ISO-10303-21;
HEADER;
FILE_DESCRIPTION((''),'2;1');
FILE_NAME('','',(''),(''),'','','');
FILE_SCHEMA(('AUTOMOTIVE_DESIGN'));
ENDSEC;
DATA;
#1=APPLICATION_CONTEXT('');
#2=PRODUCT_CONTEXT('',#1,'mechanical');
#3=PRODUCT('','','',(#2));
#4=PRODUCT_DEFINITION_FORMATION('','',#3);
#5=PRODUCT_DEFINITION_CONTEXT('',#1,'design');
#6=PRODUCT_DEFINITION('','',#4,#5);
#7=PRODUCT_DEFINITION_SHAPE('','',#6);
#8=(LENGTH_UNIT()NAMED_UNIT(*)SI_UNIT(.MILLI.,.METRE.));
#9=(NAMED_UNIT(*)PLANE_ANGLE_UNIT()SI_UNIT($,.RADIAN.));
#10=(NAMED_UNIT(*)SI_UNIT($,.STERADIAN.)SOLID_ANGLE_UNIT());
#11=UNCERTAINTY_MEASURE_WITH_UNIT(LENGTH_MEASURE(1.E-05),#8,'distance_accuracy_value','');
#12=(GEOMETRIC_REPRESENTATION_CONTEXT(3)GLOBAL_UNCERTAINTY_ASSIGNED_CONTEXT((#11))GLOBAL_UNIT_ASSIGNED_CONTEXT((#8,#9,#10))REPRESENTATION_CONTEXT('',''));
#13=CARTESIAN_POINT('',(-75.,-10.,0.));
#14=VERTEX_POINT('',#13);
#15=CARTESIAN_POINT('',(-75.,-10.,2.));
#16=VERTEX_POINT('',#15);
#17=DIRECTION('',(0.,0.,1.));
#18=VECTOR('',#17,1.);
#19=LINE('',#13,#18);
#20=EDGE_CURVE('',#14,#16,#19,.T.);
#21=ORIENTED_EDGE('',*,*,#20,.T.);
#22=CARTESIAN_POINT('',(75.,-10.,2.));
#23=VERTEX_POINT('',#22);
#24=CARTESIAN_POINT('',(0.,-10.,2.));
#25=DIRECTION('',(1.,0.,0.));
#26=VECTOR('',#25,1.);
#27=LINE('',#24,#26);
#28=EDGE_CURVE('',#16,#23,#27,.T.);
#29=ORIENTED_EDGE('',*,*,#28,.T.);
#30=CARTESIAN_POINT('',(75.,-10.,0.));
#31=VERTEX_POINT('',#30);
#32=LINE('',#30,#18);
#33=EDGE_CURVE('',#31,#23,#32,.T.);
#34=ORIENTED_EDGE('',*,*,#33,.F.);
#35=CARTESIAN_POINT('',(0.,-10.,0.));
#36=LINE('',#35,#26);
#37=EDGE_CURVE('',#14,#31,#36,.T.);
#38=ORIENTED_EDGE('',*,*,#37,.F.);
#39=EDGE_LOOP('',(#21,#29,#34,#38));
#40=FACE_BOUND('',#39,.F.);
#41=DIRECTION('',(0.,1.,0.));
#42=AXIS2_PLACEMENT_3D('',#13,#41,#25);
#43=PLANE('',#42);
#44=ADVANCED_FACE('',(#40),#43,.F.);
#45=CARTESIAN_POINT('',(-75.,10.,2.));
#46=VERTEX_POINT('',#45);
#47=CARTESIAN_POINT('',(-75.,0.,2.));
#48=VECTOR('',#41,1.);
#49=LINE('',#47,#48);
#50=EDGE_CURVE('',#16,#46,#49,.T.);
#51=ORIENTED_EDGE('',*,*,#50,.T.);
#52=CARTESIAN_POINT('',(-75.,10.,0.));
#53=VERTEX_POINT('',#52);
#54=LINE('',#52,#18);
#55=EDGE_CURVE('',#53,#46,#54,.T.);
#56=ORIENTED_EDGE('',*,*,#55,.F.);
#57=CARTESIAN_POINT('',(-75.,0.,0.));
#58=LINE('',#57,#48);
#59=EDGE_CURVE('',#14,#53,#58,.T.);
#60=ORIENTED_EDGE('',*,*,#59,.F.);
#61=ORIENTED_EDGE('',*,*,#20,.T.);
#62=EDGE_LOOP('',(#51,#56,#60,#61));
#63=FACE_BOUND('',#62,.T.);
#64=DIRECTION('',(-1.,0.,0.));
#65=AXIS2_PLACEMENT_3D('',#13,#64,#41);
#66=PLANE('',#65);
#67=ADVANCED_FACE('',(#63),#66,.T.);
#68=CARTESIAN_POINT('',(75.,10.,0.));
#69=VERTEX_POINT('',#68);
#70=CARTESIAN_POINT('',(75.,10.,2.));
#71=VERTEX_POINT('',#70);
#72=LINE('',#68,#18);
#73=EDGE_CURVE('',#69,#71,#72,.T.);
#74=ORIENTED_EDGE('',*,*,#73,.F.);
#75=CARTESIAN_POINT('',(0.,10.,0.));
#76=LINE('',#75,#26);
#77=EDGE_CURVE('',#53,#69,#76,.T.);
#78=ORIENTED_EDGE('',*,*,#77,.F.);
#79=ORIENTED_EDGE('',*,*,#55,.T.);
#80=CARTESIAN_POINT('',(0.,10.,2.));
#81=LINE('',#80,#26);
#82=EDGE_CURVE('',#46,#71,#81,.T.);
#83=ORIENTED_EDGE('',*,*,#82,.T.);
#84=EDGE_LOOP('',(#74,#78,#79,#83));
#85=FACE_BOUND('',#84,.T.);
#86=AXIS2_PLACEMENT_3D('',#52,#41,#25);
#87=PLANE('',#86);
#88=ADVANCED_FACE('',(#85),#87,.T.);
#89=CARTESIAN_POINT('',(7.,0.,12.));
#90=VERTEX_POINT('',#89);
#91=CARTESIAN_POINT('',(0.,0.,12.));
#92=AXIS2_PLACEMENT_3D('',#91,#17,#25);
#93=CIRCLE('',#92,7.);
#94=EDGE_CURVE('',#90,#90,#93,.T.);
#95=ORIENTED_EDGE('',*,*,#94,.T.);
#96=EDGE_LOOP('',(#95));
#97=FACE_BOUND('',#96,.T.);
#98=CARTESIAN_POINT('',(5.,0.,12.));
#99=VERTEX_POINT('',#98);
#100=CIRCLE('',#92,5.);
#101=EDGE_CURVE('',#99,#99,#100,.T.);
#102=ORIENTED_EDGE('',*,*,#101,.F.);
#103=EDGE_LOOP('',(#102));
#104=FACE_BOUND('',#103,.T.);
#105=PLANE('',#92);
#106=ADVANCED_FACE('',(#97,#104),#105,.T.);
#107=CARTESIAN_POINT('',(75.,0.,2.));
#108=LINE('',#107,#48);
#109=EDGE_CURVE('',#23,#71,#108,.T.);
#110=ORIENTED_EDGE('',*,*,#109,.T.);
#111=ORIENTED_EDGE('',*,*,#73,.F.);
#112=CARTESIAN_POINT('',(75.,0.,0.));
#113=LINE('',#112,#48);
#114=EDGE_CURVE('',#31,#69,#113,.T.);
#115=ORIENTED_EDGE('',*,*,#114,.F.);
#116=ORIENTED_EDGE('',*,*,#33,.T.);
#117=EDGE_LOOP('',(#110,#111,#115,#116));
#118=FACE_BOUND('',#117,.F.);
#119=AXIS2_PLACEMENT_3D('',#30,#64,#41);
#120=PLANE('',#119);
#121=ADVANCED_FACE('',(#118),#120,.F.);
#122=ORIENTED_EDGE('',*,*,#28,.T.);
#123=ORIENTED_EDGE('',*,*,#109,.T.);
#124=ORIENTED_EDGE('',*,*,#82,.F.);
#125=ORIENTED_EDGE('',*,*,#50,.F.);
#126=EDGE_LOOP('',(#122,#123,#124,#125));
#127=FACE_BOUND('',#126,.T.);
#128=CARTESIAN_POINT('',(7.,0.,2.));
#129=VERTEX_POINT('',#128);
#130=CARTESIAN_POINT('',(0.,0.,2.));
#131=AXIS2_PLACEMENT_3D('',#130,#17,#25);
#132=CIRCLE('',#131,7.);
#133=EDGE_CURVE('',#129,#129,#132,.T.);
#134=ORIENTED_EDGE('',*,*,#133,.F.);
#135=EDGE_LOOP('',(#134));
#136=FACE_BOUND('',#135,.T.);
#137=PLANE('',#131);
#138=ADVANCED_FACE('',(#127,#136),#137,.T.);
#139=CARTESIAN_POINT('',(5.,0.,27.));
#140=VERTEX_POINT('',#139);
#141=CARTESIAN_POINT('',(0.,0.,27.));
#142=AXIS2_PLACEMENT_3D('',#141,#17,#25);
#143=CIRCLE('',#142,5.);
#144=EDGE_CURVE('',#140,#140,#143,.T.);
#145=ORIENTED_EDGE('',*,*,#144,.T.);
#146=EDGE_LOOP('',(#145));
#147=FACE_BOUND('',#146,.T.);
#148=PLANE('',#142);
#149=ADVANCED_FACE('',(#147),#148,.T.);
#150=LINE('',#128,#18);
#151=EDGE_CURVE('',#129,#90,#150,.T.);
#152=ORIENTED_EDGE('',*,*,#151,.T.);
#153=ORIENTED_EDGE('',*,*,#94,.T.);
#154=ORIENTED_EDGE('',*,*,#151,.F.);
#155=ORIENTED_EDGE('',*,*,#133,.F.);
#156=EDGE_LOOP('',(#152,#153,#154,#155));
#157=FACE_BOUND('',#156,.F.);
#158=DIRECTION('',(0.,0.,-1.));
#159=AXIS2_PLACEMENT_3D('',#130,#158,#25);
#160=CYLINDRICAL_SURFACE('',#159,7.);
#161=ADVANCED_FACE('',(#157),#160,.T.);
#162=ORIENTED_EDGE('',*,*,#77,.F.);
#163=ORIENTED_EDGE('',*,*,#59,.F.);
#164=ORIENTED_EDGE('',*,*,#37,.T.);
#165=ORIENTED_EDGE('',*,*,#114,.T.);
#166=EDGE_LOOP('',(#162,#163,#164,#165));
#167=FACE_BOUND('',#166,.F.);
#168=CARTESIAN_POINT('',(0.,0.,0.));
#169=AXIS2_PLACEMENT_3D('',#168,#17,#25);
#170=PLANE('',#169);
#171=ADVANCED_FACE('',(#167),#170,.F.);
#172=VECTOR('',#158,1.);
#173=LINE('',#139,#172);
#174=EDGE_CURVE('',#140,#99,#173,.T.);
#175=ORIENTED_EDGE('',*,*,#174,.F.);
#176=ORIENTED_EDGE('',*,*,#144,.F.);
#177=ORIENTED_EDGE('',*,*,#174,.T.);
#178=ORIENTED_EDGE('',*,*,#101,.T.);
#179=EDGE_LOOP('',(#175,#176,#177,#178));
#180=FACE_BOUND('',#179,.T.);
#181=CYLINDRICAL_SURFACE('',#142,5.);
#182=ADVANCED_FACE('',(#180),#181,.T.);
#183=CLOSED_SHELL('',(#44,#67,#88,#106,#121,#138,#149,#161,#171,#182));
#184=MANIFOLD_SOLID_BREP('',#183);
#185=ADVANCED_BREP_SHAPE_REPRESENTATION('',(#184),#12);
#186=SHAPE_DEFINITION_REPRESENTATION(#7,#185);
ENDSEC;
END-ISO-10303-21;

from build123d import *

# Parameters (mm, degrees)
F0_W     = 150
F0_H     = 20
F1_DEPTH = 2
F2_R     = 7
F3_DEPTH = 25
F4_R     = 7
F4_R_2   = 5
F5_DEPTH = 15


with BuildPart() as f1:
    # F0 (on Top) → F1 (new body)
    with BuildSketch(Plane.XY):
        Rectangle(F0_W, F0_H)
    extrude(amount=F1_DEPTH)

    # F2 (on face) → F3 (join)
    with BuildSketch(Plane.XY.offset(2)):
        Circle(F2_R)
    extrude(amount=F3_DEPTH)

    # F4 (on face) → F5 (cut)
    with BuildSketch(Plane.XY.offset(27)):
        Circle(F4_R)
        Circle(F4_R_2, mode=Mode.SUBTRACT)
    extrude(amount=-F5_DEPTH, mode=Mode.SUBTRACT)


solid = f1.part
